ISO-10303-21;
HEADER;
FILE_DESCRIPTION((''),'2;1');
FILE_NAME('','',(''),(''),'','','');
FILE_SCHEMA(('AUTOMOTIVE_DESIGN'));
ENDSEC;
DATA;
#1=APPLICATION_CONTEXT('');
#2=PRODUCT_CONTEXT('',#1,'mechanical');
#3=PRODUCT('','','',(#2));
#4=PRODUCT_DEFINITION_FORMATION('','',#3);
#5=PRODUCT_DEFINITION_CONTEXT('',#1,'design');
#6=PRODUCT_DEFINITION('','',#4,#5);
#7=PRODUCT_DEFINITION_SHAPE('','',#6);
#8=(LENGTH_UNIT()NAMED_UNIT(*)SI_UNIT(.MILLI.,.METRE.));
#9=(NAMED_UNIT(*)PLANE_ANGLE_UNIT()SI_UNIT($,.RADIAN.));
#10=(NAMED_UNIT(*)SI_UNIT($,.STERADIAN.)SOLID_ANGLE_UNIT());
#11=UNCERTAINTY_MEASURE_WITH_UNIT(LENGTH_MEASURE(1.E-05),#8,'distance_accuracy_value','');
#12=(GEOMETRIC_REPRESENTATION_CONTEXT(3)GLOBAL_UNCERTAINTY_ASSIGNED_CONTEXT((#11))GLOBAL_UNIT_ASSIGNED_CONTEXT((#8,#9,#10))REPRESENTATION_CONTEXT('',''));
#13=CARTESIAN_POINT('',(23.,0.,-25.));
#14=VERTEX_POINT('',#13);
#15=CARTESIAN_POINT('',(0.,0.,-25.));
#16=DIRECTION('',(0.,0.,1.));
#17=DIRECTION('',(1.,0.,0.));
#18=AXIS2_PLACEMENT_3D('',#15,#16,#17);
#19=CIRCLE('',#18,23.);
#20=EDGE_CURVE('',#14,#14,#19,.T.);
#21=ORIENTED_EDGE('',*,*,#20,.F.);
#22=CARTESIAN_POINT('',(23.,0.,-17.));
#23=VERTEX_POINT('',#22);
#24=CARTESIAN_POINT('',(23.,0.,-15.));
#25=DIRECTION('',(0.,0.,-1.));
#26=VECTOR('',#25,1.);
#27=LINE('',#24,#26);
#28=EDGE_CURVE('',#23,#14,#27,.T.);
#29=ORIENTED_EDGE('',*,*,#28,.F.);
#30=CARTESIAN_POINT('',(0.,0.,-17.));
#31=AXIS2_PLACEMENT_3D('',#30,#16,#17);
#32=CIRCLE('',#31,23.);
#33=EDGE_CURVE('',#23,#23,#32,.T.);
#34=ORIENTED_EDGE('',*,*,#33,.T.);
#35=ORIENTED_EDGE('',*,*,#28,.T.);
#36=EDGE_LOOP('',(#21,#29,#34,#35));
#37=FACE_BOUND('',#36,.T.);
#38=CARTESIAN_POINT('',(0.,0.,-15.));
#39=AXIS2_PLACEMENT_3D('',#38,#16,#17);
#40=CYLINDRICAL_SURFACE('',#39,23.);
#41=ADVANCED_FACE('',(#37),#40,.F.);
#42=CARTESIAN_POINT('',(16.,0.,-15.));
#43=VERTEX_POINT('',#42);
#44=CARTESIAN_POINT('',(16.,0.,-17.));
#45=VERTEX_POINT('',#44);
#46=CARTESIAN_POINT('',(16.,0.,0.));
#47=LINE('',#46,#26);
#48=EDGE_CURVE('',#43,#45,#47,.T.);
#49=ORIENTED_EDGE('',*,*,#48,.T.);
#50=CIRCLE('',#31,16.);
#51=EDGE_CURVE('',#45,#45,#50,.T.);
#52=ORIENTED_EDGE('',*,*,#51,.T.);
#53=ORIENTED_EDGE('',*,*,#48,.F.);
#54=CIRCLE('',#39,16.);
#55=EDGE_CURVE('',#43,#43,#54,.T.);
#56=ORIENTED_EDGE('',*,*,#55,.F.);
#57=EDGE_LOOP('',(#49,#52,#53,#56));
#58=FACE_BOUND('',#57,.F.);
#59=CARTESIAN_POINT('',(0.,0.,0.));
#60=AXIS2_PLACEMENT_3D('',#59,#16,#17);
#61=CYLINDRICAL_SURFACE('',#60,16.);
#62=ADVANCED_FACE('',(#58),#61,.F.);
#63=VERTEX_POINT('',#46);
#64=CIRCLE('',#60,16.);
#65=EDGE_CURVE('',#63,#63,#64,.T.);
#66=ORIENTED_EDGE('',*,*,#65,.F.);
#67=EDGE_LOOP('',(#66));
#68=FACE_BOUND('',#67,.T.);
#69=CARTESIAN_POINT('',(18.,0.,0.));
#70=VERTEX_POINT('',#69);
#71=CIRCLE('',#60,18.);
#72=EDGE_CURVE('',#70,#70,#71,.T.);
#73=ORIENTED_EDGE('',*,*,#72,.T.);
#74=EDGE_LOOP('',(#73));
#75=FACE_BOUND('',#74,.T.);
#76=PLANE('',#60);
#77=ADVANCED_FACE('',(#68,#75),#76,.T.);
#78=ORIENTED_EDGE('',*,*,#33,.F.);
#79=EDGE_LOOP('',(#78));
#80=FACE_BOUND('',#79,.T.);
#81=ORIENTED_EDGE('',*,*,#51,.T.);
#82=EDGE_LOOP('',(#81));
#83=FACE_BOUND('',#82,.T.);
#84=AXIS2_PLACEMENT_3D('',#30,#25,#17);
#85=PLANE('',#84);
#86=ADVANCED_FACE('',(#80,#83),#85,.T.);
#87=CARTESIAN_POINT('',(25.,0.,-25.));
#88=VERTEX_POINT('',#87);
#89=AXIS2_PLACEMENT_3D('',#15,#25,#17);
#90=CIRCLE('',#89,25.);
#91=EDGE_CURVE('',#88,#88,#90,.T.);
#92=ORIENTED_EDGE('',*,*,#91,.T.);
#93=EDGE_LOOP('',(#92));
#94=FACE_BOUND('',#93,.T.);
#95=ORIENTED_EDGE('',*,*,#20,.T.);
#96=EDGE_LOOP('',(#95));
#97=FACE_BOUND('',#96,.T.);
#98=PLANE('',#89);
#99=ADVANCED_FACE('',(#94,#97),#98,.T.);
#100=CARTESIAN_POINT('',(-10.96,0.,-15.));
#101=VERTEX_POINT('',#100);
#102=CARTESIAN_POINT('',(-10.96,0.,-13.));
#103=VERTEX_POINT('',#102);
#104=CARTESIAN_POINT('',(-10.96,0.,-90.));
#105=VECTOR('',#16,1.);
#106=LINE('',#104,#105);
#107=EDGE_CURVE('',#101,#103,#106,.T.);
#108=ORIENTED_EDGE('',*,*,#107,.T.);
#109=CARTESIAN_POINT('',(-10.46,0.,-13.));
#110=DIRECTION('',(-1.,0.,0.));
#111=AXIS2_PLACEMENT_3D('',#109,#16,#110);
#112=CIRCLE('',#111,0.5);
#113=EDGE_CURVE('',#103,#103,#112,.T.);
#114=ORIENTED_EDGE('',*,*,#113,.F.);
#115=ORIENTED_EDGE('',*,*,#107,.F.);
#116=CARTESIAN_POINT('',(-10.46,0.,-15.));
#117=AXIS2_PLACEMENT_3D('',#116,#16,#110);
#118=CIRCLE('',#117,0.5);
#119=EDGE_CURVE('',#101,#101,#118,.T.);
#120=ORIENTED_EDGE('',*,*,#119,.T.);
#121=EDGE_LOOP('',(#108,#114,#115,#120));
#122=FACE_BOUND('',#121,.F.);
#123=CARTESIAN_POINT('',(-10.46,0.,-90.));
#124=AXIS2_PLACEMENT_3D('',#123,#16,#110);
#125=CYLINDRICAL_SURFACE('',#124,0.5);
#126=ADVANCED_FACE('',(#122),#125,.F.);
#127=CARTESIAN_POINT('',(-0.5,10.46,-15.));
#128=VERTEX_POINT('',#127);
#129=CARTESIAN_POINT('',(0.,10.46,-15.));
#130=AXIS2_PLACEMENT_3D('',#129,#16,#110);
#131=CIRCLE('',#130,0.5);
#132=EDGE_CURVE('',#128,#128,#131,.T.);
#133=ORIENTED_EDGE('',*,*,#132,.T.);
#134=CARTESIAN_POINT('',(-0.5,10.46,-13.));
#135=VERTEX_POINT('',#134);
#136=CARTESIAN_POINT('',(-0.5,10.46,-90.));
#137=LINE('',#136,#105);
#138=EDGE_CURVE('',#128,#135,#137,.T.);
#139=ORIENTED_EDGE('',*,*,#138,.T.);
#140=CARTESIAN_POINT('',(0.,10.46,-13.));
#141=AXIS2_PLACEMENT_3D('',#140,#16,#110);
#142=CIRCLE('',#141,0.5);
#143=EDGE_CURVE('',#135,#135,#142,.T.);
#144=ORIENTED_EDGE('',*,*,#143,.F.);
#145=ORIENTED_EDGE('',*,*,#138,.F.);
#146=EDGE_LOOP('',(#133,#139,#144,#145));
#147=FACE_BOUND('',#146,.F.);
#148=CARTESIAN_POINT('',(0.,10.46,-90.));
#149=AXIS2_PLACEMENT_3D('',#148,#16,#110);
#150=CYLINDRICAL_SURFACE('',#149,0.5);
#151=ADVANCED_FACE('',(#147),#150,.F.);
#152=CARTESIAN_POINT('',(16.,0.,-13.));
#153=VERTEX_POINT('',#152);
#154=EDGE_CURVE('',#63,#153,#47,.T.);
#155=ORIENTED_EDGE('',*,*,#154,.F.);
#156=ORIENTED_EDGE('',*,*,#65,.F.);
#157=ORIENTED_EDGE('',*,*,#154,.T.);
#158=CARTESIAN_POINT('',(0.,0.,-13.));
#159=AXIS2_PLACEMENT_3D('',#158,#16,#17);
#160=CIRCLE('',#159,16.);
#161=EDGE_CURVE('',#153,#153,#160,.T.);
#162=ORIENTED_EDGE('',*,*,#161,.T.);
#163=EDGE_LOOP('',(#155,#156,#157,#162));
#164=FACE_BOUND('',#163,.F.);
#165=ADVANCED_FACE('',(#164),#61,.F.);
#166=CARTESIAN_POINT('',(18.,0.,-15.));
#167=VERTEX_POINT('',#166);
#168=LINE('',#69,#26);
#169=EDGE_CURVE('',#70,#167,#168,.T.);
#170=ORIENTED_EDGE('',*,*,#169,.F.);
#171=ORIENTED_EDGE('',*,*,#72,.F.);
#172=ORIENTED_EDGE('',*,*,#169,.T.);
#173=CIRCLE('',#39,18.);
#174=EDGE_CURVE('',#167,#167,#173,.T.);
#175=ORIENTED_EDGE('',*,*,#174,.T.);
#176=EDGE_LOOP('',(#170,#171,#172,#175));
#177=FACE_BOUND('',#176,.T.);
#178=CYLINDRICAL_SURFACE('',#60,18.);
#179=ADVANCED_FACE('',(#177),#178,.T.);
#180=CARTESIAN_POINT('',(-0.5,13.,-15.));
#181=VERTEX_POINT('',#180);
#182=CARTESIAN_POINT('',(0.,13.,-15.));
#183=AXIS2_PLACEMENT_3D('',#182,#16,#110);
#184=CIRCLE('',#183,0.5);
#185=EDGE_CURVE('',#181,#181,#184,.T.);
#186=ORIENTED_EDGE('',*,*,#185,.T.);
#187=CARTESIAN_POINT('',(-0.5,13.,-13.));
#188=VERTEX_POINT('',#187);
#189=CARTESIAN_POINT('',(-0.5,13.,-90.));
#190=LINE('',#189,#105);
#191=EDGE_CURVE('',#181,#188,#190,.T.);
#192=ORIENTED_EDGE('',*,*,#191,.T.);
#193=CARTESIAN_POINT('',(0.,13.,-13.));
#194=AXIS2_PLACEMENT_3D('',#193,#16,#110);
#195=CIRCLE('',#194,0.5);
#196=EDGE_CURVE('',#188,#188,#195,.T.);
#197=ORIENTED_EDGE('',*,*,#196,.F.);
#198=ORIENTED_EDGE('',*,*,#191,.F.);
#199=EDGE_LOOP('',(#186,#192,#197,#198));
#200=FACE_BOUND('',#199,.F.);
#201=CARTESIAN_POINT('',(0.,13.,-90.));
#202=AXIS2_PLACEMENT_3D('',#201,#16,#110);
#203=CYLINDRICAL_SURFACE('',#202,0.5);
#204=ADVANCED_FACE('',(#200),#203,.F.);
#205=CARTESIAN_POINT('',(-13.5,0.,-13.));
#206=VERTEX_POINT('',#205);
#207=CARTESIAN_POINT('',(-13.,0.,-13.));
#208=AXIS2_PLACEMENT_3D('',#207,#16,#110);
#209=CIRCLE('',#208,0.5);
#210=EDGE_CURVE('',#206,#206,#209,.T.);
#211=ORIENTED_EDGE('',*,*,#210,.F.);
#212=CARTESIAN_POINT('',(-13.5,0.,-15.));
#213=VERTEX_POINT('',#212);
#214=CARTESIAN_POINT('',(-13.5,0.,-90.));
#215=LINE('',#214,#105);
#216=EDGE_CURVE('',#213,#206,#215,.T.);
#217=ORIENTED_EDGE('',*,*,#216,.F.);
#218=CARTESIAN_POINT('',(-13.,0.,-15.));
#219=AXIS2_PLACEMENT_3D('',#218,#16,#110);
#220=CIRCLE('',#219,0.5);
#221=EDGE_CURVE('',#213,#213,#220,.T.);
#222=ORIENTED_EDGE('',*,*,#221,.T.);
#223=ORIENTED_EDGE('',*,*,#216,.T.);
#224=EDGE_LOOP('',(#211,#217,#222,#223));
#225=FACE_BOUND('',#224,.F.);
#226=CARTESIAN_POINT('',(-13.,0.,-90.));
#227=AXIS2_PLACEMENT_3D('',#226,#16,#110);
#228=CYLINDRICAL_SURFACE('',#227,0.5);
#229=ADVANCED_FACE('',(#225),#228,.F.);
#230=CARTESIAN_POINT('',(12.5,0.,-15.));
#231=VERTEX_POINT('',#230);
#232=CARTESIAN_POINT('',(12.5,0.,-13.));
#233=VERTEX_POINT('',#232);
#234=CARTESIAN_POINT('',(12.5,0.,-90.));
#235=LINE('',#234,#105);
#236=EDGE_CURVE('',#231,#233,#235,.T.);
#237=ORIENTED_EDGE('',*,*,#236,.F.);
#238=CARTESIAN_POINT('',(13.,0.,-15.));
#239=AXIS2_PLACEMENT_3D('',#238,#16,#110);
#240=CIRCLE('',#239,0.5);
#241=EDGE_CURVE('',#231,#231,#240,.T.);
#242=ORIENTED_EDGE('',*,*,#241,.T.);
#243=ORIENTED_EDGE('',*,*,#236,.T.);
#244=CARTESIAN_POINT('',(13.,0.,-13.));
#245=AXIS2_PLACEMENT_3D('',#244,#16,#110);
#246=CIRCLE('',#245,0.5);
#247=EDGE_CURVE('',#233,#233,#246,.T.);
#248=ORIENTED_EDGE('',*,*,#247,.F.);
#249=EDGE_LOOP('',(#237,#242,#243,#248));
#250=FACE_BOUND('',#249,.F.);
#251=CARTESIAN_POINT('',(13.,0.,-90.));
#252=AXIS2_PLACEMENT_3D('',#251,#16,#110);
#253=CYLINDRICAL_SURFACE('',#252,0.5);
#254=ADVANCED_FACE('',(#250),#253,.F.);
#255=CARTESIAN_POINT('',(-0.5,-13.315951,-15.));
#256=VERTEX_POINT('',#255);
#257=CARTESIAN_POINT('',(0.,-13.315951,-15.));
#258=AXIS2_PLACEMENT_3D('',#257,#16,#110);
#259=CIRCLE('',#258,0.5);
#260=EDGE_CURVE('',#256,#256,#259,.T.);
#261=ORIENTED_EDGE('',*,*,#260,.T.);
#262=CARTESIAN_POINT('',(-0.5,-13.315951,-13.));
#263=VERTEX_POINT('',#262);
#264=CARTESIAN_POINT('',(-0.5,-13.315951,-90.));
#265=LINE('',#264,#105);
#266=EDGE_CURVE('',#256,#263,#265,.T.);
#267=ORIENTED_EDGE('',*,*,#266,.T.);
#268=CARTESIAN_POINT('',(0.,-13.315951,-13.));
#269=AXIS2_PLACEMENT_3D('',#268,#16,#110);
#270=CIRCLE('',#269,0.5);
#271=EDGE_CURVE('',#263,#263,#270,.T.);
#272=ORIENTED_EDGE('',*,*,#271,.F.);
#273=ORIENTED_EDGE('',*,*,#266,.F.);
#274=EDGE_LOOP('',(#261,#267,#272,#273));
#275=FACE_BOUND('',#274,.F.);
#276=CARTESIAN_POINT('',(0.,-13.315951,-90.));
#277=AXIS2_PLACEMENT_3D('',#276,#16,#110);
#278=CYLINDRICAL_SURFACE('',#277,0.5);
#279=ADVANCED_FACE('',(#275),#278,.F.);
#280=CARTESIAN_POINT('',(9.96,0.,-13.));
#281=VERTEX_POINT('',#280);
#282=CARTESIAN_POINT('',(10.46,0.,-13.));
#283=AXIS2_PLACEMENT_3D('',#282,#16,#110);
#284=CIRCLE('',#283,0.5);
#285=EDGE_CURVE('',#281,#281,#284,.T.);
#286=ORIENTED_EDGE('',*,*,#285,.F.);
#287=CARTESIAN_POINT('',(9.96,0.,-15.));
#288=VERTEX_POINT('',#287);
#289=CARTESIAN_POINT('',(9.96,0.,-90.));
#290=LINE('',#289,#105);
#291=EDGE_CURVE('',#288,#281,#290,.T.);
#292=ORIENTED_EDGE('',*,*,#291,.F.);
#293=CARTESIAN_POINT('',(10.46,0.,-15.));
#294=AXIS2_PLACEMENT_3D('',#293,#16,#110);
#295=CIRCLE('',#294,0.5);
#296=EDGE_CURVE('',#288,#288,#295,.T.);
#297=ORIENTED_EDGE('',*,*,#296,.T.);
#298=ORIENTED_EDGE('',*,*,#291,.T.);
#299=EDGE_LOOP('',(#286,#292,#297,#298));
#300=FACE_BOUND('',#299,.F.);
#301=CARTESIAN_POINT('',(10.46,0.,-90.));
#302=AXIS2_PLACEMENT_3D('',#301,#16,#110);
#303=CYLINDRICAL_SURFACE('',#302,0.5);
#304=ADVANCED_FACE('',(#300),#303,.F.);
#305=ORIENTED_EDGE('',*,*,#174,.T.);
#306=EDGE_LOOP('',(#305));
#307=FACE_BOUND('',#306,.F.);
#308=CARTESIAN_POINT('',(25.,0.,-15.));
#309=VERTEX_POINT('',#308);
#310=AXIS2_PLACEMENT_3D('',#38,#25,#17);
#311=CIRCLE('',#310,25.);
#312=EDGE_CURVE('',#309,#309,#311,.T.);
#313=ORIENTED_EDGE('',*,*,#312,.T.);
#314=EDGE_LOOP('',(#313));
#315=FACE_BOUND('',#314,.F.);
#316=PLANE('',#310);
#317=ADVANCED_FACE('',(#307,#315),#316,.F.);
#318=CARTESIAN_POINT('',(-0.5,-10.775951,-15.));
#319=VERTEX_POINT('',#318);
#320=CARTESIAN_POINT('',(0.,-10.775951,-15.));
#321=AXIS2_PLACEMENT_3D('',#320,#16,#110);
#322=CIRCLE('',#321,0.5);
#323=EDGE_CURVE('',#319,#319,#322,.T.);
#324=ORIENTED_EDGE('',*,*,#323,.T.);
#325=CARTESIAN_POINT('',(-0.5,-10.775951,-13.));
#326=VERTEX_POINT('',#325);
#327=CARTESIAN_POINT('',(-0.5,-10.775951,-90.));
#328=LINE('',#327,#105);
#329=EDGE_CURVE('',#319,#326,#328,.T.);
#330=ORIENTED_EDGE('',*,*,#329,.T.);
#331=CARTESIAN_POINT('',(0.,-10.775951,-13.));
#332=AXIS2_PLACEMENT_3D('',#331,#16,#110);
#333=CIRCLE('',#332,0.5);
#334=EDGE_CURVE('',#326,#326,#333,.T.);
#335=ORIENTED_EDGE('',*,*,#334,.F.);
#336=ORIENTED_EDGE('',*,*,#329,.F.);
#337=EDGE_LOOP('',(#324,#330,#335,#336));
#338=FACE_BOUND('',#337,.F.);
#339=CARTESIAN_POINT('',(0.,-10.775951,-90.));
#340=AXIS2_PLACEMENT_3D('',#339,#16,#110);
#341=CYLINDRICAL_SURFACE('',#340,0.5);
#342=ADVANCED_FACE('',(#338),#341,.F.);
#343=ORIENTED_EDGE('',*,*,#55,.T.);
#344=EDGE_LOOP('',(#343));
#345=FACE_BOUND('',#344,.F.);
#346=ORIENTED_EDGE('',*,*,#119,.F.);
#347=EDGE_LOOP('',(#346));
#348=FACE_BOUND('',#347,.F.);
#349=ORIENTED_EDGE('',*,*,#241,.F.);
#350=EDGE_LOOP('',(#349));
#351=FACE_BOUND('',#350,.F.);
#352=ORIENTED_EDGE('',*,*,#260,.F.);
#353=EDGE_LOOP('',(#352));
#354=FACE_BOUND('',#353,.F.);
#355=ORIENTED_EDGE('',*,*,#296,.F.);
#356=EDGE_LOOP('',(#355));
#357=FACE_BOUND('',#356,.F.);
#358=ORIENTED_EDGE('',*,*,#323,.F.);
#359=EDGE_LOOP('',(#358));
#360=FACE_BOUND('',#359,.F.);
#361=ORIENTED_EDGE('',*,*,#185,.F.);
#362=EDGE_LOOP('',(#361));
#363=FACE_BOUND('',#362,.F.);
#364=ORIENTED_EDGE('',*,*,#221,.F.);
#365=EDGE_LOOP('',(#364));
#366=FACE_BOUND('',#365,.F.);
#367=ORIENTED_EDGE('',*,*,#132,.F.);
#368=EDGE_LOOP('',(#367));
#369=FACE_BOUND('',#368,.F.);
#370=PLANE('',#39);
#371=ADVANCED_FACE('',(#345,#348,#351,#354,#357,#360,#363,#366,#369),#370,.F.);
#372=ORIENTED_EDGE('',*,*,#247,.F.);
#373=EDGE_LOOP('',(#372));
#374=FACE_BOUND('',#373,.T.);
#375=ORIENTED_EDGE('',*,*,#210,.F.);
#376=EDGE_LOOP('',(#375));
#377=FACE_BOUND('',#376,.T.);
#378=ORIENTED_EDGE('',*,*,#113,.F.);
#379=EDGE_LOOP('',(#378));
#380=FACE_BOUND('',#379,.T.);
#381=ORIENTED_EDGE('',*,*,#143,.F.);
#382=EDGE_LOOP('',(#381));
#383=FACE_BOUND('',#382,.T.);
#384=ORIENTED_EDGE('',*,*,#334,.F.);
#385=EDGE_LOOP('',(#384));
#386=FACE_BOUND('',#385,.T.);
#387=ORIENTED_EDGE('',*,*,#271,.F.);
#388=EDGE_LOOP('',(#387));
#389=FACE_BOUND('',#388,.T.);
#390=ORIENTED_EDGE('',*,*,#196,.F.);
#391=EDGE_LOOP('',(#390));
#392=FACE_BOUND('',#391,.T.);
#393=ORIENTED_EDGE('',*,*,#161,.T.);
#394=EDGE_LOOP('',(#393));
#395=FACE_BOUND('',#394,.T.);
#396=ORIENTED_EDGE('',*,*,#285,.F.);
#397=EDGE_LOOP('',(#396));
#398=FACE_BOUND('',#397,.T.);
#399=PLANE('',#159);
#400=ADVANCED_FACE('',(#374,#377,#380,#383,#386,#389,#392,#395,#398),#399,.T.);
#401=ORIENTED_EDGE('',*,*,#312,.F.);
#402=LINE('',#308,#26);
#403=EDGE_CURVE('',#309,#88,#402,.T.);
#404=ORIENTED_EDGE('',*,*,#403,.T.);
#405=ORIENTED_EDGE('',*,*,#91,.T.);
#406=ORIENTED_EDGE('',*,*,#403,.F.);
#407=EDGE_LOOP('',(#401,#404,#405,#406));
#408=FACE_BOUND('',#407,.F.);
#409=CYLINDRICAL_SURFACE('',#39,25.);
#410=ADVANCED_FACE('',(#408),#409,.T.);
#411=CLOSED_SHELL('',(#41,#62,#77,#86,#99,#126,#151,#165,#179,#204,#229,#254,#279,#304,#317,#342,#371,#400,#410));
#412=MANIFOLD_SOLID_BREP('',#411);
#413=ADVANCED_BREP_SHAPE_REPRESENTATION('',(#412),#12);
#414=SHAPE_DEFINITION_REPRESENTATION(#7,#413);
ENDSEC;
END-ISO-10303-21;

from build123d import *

# Parameters (mm, degrees)
F0_R     = 18
F1_DEPTH = 15
F2_T     = -2
F3_R     = 25
F4_DEPTH = 10
F5_T     = -2
F7_D     = 1
F8_D     = 1
F9_D     = 1
F10_D    = 1
F11_D    = 1
F12_D    = 1
F13_D    = 1
F14_D    = 1


with BuildPart() as f1:
    # F0 (on Top) → F1 (new body)
    with BuildSketch(Plane.XY):
        Circle(F0_R)
    extrude(amount=-F1_DEPTH)

    # F2
    f2_openings = [f1.faces().sort_by_distance(p)[0] for p in [
        (0, 0, 0),
    ]]
    offset(amount=F2_T, openings=f2_openings)

    # F3 (on face) → F4 (join)
    with BuildSketch(Plane(origin=(0, 0, -15), x_dir=(1, 0, 0), z_dir=(0, 0, -1))):
        Circle(F3_R)
    extrude(amount=F4_DEPTH)

    # F5
    f5_openings = [f1.faces().sort_by_distance(p)[0] for p in [
        (0, 0, -25),
    ]]
    offset(amount=F5_T, openings=f5_openings, kind=Kind.INTERSECTION)

    # F7 (through all)
    with Locations(Plane(origin=(0, 0, -15), x_dir=(1, 0, 0), z_dir=(0, 0, -1))):
        with Locations((0, -13)):
            Hole(F7_D / 2)

    # F8 (through all)
    with Locations(Plane(origin=(0, 0, -15), x_dir=(1, 0, 0), z_dir=(0, 0, -1))):
        with Locations((0, -10.46)):
            Hole(F8_D / 2)

    # F9 (through all)
    with Locations(Plane(origin=(0, 0, -15), x_dir=(1, 0, 0), z_dir=(0, 0, -1))):
        with Locations((-13, 0)):
            Hole(F9_D / 2)

    # F10 (through all)
    with Locations(Plane(origin=(0, 0, -15), x_dir=(1, 0, 0), z_dir=(0, 0, -1))):
        with Locations((-10.46, 0)):
            Hole(F10_D / 2)

    # F11 (through all)
    with Locations(Plane(origin=(0, 0, -15), x_dir=(1, 0, 0), z_dir=(0, 0, -1))):
        with Locations((0, 13.3159505203)):
            Hole(F11_D / 2)

    # F12 (through all)
    with Locations(Plane(origin=(0, 0, -15), x_dir=(1, 0, 0), z_dir=(0, 0, -1))):
        with Locations((0, 10.7759505203)):
            Hole(F12_D / 2)

    # F13 (through all)
    with Locations(Plane(origin=(0, 0, -15), x_dir=(1, 0, 0), z_dir=(0, 0, -1))):
        with Locations((13, 0)):
            Hole(F13_D / 2)

    # F14 (through all)
    with Locations(Plane(origin=(0, 0, -15), x_dir=(1, 0, 0), z_dir=(0, 0, -1))):
        with Locations((10.46, 0)):
            Hole(F14_D / 2)


solid = f1.part
